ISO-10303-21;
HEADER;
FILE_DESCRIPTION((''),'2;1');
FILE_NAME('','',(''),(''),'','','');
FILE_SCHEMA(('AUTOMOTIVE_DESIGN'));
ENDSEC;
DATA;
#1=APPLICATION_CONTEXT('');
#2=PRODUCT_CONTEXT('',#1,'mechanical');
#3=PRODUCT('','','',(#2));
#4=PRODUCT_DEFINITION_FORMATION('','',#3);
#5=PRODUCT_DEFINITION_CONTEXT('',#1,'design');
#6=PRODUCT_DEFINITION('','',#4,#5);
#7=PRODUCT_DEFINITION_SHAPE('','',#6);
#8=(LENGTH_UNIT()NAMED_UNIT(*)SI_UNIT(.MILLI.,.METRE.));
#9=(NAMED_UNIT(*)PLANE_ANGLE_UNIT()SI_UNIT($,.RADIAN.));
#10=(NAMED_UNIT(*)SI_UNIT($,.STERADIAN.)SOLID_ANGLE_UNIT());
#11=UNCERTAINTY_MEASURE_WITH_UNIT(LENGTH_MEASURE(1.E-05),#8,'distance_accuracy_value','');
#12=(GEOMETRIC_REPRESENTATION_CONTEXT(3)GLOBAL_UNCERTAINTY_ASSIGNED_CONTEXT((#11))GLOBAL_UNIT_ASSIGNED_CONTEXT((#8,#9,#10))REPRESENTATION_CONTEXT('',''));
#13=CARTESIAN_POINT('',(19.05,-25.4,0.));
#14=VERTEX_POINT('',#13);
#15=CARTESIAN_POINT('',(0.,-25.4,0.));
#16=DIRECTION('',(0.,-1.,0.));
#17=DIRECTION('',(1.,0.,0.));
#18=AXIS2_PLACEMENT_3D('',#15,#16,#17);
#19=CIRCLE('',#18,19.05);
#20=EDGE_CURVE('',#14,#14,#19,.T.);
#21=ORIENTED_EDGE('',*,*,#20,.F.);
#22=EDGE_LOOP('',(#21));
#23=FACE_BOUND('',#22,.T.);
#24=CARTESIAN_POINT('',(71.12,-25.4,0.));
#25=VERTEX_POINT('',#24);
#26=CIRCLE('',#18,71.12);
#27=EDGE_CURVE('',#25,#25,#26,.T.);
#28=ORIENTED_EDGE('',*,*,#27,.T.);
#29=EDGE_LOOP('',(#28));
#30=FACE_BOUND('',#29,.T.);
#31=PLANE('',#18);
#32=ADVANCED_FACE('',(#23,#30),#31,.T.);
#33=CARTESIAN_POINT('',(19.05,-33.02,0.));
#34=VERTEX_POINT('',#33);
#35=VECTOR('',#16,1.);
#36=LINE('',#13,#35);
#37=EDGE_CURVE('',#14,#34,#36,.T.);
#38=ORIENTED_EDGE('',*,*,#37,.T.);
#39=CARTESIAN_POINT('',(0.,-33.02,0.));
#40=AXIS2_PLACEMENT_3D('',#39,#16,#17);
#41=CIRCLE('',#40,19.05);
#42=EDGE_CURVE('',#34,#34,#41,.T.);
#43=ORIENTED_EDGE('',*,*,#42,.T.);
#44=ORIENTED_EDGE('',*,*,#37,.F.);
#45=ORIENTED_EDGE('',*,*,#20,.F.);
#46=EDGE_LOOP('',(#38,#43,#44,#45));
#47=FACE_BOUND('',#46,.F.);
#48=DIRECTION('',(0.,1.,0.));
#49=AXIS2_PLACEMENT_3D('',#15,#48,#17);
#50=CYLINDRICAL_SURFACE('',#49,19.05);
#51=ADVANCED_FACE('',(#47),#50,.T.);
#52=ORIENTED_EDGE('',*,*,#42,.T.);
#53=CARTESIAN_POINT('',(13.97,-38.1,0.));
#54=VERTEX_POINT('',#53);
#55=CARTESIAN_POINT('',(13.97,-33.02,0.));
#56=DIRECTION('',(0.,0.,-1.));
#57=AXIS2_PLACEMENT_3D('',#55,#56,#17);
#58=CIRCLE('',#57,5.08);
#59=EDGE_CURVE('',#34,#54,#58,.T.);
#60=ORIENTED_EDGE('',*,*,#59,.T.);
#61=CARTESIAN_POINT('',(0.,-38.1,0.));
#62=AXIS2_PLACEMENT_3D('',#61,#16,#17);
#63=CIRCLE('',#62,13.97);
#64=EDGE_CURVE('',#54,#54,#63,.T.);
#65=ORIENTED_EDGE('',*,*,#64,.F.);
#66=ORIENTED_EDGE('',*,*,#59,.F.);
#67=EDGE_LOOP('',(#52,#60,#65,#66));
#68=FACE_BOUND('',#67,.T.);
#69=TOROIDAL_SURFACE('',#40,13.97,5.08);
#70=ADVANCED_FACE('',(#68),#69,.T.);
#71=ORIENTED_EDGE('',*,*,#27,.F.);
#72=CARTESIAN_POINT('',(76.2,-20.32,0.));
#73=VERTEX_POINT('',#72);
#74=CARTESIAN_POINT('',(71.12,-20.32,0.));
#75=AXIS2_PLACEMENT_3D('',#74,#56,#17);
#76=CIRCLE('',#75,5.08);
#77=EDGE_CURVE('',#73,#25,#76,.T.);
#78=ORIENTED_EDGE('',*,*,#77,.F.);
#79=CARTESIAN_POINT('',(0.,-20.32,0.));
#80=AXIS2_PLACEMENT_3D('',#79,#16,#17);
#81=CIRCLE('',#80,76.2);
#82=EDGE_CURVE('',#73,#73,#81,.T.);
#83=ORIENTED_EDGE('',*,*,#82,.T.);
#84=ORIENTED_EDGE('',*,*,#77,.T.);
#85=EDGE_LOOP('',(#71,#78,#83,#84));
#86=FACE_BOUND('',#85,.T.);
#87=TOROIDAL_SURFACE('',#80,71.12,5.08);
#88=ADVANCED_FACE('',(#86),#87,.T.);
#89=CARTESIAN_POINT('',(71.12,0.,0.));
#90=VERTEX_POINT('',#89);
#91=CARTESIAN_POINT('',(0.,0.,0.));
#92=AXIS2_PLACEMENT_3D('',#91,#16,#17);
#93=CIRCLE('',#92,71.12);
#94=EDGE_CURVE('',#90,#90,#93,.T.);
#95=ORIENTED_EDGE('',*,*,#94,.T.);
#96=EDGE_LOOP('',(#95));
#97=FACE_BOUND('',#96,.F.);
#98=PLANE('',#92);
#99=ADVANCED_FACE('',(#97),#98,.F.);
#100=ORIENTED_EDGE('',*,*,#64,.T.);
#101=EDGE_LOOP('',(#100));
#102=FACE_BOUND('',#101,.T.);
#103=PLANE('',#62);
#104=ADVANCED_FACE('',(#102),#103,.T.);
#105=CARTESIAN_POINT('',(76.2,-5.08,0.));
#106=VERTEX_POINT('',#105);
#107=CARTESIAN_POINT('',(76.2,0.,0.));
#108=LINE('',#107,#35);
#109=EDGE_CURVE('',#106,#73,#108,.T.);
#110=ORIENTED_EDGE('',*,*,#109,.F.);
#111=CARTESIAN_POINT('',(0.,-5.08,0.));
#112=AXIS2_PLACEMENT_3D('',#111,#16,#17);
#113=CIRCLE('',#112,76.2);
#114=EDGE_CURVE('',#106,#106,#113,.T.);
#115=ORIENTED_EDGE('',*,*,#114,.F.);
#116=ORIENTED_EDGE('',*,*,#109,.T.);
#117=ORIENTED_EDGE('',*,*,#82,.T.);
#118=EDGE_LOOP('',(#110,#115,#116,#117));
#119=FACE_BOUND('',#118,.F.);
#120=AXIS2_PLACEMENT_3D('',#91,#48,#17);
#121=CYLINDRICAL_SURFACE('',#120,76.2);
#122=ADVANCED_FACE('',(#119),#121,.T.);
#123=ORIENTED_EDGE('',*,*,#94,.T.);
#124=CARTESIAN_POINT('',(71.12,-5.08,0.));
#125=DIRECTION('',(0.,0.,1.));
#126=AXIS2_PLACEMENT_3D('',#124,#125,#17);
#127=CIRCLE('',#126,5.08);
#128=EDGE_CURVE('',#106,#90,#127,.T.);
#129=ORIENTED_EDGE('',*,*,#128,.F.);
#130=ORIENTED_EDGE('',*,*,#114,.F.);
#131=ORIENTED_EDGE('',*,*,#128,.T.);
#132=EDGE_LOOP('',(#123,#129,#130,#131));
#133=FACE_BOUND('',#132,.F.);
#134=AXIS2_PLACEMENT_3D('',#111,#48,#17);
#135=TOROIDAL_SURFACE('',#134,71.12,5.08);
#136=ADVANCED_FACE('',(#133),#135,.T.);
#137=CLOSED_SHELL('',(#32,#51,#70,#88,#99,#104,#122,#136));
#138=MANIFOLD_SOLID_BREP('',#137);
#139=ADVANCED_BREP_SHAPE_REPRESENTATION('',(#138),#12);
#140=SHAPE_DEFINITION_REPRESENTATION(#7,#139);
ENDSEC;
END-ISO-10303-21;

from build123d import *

# Parameters (mm, degrees)
F0_R     = 76.2
F1_DEPTH = 25.4
F3_R     = 5.08
F4_R     = 5.08
F2_R     = 19.05
F5_DEPTH = 12.7
F6_R     = 5.08


with BuildPart() as f1:
    # F0 (on Front) → F1 (new body)
    with BuildSketch(Plane.XZ):
        Circle(F0_R)
    extrude(amount=F1_DEPTH)

    # F3
    f3_edges = [f1.edges().sort_by_distance(p)[0] for p in [
        (-76.2, -25.4, 0),
    ]]
    fillet(f3_edges, radius=F3_R)

    # F4
    f4_edges = [f1.edges().sort_by_distance(p)[0] for p in [
        (76.2, -10.16, 0),
        (-76.2, -20.32, 0),
        (-76.2, 0, 0),
    ]]
    fillet(f4_edges, radius=F4_R)

    # F2 (on face) → F5 (join)
    with BuildSketch(Plane.XZ.offset(25.4)):
        Circle(F2_R)
    extrude(amount=F5_DEPTH)

    # F6
    f6_edges = [f1.edges().sort_by_distance(p)[0] for p in [
        (-19.05, -38.1, 0),
    ]]
    fillet(f6_edges, radius=F6_R)


solid = f1.part
